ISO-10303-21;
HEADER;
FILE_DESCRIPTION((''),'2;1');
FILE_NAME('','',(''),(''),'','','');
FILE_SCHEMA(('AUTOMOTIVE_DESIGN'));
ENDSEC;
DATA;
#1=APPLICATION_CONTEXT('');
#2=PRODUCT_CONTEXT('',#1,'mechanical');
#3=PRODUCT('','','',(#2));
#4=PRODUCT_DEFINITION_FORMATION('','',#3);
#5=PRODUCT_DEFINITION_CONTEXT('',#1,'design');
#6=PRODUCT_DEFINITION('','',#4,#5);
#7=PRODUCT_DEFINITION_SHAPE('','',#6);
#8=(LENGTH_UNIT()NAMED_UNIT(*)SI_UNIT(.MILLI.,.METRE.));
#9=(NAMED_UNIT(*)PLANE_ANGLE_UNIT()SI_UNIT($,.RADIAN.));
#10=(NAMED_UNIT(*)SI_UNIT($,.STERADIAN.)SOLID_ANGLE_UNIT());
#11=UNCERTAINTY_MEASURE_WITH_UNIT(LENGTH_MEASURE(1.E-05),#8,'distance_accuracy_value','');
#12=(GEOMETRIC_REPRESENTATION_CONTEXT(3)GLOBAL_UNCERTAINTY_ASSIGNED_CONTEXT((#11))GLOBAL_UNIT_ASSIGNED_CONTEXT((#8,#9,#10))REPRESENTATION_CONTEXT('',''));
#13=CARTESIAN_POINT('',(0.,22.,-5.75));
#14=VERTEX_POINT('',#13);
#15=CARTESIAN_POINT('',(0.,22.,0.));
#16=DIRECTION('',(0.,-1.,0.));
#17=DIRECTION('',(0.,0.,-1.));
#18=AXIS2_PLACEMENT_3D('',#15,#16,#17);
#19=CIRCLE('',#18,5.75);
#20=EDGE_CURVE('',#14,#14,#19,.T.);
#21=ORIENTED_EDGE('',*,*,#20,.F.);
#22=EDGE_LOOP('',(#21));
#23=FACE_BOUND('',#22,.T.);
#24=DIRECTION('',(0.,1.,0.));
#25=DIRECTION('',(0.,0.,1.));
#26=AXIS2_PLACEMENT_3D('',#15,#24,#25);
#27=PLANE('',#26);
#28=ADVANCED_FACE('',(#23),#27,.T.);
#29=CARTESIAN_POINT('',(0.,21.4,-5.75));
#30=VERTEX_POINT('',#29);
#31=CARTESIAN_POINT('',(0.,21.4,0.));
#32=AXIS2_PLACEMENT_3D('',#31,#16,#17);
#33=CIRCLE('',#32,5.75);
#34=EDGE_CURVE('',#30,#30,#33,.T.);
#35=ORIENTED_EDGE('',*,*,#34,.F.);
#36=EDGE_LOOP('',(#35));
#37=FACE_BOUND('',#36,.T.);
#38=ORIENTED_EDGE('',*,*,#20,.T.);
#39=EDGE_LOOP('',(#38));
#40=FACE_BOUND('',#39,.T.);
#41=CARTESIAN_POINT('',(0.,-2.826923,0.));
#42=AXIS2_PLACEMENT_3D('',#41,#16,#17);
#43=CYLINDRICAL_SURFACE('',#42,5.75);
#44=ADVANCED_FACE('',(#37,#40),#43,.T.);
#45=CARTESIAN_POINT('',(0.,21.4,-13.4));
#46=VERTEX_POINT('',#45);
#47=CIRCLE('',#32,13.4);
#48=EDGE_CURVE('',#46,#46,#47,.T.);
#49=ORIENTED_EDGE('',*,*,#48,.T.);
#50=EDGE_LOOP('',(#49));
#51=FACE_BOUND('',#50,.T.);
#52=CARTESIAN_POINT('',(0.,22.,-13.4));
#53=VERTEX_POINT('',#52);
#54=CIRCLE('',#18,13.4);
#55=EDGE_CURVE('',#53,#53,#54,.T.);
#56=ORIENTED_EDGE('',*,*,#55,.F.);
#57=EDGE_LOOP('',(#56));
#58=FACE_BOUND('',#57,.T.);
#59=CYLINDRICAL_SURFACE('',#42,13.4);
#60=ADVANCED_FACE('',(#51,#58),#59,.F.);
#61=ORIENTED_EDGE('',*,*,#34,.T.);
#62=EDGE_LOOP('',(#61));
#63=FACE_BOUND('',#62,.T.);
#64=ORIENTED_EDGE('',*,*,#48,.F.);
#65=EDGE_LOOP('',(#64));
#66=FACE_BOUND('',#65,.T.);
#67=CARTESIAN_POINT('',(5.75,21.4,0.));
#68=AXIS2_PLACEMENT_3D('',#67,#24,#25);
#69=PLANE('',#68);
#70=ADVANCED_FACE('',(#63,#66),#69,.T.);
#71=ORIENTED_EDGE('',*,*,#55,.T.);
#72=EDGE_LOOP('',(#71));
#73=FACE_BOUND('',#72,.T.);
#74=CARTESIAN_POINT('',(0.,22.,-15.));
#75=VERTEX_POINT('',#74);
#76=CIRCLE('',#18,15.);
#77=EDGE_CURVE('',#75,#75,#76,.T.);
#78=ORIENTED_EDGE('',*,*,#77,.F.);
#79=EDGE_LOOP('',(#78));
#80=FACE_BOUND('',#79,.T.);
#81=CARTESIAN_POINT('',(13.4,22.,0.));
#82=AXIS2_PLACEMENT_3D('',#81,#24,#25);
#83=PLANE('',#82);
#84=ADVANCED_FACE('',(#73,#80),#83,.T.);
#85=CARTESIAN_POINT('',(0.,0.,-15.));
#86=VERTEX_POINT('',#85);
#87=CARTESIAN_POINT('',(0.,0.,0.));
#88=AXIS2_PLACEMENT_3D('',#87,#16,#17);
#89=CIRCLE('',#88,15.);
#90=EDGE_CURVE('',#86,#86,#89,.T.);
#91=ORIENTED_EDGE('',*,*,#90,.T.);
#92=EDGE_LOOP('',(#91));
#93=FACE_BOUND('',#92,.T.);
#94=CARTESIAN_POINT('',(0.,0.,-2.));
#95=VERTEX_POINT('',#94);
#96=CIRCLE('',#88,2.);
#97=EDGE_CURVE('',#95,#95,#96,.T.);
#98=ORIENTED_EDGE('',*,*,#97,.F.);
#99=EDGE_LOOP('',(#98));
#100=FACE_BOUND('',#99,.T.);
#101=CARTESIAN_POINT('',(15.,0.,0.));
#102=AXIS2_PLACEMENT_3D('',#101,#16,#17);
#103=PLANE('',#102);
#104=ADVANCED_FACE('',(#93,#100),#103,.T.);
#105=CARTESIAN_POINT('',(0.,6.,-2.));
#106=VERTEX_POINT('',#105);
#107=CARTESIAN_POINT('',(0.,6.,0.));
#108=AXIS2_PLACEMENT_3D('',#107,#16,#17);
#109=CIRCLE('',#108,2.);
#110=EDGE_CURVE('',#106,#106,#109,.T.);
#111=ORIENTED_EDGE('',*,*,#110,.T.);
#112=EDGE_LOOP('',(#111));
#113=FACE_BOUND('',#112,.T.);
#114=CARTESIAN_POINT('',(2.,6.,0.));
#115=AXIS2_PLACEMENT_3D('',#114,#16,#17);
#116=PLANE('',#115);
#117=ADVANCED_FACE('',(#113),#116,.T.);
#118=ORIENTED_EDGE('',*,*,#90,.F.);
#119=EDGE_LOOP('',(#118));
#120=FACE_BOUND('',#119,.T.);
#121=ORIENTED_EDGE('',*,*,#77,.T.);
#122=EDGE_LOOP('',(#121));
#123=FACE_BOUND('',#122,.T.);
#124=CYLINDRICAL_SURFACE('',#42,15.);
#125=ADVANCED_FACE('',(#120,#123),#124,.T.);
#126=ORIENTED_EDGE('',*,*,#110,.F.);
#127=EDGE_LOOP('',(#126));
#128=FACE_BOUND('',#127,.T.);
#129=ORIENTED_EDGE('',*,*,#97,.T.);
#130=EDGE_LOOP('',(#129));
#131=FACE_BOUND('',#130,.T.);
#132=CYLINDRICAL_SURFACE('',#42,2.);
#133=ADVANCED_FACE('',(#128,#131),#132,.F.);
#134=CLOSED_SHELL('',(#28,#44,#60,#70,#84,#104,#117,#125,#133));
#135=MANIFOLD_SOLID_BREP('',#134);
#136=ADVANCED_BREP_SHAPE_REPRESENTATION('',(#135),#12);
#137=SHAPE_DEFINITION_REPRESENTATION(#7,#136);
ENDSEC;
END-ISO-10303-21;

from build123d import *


with BuildPart() as part:
    # Sketch1 → Revolve1 (revolve)
    with BuildSketch(Plane.XY, mode=Mode.PRIVATE) as revolve1_sk:
        Polygon((0, 6), (0, 22), (5.75, 22), (5.75, 21.4), (13.4, 21.4), (13.4, 22), (15, 22), (15, 0), (2, 0), (2, 6), align=None)
    revolve(revolve1_sk.sketch.rotate(Axis((0, -2.826923077, 0), (0, 1, 0)), 90), axis=Axis((0, -2.826923077, 0), (0, 1, 0)))


solid = part.part
